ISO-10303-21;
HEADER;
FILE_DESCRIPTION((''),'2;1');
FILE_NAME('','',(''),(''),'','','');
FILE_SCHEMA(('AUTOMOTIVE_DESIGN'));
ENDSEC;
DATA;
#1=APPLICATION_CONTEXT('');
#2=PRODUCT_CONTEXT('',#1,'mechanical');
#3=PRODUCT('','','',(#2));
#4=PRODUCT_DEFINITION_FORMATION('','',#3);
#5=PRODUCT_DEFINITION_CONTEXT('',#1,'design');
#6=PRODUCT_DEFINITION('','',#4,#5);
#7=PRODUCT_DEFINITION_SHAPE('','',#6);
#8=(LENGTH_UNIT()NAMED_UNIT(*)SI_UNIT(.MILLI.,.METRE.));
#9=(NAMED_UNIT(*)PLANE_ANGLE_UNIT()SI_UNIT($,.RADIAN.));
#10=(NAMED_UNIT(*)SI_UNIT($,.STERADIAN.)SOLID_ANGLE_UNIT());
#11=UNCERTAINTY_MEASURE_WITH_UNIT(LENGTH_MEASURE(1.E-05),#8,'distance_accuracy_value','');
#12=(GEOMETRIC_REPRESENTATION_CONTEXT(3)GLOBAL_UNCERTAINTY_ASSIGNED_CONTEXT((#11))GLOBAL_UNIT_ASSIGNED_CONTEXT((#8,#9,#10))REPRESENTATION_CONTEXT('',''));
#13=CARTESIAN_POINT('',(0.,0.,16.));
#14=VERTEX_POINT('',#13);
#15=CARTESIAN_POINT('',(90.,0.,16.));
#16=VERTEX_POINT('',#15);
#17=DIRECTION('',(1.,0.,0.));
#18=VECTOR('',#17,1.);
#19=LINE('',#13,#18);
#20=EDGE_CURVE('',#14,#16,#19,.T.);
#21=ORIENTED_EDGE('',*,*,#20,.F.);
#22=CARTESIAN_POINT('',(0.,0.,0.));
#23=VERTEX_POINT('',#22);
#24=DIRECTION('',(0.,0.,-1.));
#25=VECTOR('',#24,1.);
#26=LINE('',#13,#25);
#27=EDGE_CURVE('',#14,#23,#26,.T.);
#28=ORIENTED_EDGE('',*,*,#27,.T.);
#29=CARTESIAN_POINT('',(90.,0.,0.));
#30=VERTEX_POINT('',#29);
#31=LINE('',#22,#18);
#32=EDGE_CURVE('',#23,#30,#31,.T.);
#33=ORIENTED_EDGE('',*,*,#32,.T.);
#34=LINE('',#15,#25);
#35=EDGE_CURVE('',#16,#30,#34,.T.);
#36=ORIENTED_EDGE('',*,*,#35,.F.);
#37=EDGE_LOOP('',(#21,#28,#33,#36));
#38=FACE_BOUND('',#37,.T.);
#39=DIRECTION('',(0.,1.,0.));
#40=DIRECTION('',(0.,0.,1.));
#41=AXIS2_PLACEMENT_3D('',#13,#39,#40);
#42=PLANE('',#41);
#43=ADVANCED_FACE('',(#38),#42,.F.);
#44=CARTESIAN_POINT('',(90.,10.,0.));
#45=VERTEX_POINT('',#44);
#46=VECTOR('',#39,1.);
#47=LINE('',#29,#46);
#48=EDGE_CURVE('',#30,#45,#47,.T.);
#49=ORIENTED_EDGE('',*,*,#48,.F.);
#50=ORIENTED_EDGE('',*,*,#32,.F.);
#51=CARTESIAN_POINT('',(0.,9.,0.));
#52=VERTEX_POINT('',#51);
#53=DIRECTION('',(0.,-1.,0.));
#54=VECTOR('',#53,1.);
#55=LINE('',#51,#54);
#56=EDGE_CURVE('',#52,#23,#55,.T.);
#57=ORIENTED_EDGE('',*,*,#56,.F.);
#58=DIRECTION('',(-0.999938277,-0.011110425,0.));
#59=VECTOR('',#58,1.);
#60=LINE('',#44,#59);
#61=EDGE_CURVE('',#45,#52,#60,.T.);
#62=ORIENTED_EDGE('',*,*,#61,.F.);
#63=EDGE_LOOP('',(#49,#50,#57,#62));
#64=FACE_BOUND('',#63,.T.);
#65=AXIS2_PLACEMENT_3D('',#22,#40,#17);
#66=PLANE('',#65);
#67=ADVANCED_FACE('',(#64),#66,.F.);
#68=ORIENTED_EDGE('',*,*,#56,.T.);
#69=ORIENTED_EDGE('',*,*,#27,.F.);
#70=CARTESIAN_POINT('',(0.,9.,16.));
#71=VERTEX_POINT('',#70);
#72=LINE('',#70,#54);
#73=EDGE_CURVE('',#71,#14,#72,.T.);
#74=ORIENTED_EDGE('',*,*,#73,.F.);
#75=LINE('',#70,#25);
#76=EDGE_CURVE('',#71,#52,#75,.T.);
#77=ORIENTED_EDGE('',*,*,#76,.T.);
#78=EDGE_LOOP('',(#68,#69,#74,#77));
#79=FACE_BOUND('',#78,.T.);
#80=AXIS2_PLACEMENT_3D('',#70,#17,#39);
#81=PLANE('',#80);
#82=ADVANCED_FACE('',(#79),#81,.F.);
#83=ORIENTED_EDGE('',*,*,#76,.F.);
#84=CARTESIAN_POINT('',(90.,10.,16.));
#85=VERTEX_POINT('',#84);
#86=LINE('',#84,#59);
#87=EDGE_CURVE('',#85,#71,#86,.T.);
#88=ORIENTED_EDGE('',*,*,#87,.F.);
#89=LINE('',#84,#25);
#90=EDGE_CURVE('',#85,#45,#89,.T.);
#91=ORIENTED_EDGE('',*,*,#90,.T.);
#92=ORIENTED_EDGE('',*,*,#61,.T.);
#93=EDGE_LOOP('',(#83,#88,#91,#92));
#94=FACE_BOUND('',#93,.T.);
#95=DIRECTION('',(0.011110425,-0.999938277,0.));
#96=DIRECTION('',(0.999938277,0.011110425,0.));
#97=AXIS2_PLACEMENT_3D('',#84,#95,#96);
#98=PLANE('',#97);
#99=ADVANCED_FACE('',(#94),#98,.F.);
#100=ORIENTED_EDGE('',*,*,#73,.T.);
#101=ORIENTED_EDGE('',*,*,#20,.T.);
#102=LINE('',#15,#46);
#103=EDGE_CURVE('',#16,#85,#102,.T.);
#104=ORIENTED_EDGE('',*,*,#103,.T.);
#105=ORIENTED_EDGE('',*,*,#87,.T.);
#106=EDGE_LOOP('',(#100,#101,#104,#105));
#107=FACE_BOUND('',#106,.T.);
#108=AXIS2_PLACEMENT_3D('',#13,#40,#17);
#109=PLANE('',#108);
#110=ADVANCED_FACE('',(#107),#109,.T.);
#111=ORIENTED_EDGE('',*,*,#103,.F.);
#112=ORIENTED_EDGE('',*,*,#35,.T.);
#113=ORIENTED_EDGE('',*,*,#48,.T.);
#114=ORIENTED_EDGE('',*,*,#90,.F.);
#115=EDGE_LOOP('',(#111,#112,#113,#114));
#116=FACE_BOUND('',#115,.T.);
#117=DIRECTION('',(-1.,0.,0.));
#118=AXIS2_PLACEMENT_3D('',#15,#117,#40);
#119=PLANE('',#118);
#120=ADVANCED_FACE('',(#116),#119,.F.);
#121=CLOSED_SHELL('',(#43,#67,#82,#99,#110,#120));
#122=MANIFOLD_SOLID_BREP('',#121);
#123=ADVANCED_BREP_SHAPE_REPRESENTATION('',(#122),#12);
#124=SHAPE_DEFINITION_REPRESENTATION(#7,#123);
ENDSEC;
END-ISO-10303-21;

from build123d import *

# Parameters (mm, degrees)
BOSS_EXTRUDE1_DEPTH = 16


with BuildPart() as part:
    # Sketch1 → Boss-Extrude1 (new body)
    with BuildSketch(Plane.XY):
        Polygon((0, 0), (90, 0), (90, 10), (0, 9), align=None)
    extrude(amount=BOSS_EXTRUDE1_DEPTH)


solid = part.part
